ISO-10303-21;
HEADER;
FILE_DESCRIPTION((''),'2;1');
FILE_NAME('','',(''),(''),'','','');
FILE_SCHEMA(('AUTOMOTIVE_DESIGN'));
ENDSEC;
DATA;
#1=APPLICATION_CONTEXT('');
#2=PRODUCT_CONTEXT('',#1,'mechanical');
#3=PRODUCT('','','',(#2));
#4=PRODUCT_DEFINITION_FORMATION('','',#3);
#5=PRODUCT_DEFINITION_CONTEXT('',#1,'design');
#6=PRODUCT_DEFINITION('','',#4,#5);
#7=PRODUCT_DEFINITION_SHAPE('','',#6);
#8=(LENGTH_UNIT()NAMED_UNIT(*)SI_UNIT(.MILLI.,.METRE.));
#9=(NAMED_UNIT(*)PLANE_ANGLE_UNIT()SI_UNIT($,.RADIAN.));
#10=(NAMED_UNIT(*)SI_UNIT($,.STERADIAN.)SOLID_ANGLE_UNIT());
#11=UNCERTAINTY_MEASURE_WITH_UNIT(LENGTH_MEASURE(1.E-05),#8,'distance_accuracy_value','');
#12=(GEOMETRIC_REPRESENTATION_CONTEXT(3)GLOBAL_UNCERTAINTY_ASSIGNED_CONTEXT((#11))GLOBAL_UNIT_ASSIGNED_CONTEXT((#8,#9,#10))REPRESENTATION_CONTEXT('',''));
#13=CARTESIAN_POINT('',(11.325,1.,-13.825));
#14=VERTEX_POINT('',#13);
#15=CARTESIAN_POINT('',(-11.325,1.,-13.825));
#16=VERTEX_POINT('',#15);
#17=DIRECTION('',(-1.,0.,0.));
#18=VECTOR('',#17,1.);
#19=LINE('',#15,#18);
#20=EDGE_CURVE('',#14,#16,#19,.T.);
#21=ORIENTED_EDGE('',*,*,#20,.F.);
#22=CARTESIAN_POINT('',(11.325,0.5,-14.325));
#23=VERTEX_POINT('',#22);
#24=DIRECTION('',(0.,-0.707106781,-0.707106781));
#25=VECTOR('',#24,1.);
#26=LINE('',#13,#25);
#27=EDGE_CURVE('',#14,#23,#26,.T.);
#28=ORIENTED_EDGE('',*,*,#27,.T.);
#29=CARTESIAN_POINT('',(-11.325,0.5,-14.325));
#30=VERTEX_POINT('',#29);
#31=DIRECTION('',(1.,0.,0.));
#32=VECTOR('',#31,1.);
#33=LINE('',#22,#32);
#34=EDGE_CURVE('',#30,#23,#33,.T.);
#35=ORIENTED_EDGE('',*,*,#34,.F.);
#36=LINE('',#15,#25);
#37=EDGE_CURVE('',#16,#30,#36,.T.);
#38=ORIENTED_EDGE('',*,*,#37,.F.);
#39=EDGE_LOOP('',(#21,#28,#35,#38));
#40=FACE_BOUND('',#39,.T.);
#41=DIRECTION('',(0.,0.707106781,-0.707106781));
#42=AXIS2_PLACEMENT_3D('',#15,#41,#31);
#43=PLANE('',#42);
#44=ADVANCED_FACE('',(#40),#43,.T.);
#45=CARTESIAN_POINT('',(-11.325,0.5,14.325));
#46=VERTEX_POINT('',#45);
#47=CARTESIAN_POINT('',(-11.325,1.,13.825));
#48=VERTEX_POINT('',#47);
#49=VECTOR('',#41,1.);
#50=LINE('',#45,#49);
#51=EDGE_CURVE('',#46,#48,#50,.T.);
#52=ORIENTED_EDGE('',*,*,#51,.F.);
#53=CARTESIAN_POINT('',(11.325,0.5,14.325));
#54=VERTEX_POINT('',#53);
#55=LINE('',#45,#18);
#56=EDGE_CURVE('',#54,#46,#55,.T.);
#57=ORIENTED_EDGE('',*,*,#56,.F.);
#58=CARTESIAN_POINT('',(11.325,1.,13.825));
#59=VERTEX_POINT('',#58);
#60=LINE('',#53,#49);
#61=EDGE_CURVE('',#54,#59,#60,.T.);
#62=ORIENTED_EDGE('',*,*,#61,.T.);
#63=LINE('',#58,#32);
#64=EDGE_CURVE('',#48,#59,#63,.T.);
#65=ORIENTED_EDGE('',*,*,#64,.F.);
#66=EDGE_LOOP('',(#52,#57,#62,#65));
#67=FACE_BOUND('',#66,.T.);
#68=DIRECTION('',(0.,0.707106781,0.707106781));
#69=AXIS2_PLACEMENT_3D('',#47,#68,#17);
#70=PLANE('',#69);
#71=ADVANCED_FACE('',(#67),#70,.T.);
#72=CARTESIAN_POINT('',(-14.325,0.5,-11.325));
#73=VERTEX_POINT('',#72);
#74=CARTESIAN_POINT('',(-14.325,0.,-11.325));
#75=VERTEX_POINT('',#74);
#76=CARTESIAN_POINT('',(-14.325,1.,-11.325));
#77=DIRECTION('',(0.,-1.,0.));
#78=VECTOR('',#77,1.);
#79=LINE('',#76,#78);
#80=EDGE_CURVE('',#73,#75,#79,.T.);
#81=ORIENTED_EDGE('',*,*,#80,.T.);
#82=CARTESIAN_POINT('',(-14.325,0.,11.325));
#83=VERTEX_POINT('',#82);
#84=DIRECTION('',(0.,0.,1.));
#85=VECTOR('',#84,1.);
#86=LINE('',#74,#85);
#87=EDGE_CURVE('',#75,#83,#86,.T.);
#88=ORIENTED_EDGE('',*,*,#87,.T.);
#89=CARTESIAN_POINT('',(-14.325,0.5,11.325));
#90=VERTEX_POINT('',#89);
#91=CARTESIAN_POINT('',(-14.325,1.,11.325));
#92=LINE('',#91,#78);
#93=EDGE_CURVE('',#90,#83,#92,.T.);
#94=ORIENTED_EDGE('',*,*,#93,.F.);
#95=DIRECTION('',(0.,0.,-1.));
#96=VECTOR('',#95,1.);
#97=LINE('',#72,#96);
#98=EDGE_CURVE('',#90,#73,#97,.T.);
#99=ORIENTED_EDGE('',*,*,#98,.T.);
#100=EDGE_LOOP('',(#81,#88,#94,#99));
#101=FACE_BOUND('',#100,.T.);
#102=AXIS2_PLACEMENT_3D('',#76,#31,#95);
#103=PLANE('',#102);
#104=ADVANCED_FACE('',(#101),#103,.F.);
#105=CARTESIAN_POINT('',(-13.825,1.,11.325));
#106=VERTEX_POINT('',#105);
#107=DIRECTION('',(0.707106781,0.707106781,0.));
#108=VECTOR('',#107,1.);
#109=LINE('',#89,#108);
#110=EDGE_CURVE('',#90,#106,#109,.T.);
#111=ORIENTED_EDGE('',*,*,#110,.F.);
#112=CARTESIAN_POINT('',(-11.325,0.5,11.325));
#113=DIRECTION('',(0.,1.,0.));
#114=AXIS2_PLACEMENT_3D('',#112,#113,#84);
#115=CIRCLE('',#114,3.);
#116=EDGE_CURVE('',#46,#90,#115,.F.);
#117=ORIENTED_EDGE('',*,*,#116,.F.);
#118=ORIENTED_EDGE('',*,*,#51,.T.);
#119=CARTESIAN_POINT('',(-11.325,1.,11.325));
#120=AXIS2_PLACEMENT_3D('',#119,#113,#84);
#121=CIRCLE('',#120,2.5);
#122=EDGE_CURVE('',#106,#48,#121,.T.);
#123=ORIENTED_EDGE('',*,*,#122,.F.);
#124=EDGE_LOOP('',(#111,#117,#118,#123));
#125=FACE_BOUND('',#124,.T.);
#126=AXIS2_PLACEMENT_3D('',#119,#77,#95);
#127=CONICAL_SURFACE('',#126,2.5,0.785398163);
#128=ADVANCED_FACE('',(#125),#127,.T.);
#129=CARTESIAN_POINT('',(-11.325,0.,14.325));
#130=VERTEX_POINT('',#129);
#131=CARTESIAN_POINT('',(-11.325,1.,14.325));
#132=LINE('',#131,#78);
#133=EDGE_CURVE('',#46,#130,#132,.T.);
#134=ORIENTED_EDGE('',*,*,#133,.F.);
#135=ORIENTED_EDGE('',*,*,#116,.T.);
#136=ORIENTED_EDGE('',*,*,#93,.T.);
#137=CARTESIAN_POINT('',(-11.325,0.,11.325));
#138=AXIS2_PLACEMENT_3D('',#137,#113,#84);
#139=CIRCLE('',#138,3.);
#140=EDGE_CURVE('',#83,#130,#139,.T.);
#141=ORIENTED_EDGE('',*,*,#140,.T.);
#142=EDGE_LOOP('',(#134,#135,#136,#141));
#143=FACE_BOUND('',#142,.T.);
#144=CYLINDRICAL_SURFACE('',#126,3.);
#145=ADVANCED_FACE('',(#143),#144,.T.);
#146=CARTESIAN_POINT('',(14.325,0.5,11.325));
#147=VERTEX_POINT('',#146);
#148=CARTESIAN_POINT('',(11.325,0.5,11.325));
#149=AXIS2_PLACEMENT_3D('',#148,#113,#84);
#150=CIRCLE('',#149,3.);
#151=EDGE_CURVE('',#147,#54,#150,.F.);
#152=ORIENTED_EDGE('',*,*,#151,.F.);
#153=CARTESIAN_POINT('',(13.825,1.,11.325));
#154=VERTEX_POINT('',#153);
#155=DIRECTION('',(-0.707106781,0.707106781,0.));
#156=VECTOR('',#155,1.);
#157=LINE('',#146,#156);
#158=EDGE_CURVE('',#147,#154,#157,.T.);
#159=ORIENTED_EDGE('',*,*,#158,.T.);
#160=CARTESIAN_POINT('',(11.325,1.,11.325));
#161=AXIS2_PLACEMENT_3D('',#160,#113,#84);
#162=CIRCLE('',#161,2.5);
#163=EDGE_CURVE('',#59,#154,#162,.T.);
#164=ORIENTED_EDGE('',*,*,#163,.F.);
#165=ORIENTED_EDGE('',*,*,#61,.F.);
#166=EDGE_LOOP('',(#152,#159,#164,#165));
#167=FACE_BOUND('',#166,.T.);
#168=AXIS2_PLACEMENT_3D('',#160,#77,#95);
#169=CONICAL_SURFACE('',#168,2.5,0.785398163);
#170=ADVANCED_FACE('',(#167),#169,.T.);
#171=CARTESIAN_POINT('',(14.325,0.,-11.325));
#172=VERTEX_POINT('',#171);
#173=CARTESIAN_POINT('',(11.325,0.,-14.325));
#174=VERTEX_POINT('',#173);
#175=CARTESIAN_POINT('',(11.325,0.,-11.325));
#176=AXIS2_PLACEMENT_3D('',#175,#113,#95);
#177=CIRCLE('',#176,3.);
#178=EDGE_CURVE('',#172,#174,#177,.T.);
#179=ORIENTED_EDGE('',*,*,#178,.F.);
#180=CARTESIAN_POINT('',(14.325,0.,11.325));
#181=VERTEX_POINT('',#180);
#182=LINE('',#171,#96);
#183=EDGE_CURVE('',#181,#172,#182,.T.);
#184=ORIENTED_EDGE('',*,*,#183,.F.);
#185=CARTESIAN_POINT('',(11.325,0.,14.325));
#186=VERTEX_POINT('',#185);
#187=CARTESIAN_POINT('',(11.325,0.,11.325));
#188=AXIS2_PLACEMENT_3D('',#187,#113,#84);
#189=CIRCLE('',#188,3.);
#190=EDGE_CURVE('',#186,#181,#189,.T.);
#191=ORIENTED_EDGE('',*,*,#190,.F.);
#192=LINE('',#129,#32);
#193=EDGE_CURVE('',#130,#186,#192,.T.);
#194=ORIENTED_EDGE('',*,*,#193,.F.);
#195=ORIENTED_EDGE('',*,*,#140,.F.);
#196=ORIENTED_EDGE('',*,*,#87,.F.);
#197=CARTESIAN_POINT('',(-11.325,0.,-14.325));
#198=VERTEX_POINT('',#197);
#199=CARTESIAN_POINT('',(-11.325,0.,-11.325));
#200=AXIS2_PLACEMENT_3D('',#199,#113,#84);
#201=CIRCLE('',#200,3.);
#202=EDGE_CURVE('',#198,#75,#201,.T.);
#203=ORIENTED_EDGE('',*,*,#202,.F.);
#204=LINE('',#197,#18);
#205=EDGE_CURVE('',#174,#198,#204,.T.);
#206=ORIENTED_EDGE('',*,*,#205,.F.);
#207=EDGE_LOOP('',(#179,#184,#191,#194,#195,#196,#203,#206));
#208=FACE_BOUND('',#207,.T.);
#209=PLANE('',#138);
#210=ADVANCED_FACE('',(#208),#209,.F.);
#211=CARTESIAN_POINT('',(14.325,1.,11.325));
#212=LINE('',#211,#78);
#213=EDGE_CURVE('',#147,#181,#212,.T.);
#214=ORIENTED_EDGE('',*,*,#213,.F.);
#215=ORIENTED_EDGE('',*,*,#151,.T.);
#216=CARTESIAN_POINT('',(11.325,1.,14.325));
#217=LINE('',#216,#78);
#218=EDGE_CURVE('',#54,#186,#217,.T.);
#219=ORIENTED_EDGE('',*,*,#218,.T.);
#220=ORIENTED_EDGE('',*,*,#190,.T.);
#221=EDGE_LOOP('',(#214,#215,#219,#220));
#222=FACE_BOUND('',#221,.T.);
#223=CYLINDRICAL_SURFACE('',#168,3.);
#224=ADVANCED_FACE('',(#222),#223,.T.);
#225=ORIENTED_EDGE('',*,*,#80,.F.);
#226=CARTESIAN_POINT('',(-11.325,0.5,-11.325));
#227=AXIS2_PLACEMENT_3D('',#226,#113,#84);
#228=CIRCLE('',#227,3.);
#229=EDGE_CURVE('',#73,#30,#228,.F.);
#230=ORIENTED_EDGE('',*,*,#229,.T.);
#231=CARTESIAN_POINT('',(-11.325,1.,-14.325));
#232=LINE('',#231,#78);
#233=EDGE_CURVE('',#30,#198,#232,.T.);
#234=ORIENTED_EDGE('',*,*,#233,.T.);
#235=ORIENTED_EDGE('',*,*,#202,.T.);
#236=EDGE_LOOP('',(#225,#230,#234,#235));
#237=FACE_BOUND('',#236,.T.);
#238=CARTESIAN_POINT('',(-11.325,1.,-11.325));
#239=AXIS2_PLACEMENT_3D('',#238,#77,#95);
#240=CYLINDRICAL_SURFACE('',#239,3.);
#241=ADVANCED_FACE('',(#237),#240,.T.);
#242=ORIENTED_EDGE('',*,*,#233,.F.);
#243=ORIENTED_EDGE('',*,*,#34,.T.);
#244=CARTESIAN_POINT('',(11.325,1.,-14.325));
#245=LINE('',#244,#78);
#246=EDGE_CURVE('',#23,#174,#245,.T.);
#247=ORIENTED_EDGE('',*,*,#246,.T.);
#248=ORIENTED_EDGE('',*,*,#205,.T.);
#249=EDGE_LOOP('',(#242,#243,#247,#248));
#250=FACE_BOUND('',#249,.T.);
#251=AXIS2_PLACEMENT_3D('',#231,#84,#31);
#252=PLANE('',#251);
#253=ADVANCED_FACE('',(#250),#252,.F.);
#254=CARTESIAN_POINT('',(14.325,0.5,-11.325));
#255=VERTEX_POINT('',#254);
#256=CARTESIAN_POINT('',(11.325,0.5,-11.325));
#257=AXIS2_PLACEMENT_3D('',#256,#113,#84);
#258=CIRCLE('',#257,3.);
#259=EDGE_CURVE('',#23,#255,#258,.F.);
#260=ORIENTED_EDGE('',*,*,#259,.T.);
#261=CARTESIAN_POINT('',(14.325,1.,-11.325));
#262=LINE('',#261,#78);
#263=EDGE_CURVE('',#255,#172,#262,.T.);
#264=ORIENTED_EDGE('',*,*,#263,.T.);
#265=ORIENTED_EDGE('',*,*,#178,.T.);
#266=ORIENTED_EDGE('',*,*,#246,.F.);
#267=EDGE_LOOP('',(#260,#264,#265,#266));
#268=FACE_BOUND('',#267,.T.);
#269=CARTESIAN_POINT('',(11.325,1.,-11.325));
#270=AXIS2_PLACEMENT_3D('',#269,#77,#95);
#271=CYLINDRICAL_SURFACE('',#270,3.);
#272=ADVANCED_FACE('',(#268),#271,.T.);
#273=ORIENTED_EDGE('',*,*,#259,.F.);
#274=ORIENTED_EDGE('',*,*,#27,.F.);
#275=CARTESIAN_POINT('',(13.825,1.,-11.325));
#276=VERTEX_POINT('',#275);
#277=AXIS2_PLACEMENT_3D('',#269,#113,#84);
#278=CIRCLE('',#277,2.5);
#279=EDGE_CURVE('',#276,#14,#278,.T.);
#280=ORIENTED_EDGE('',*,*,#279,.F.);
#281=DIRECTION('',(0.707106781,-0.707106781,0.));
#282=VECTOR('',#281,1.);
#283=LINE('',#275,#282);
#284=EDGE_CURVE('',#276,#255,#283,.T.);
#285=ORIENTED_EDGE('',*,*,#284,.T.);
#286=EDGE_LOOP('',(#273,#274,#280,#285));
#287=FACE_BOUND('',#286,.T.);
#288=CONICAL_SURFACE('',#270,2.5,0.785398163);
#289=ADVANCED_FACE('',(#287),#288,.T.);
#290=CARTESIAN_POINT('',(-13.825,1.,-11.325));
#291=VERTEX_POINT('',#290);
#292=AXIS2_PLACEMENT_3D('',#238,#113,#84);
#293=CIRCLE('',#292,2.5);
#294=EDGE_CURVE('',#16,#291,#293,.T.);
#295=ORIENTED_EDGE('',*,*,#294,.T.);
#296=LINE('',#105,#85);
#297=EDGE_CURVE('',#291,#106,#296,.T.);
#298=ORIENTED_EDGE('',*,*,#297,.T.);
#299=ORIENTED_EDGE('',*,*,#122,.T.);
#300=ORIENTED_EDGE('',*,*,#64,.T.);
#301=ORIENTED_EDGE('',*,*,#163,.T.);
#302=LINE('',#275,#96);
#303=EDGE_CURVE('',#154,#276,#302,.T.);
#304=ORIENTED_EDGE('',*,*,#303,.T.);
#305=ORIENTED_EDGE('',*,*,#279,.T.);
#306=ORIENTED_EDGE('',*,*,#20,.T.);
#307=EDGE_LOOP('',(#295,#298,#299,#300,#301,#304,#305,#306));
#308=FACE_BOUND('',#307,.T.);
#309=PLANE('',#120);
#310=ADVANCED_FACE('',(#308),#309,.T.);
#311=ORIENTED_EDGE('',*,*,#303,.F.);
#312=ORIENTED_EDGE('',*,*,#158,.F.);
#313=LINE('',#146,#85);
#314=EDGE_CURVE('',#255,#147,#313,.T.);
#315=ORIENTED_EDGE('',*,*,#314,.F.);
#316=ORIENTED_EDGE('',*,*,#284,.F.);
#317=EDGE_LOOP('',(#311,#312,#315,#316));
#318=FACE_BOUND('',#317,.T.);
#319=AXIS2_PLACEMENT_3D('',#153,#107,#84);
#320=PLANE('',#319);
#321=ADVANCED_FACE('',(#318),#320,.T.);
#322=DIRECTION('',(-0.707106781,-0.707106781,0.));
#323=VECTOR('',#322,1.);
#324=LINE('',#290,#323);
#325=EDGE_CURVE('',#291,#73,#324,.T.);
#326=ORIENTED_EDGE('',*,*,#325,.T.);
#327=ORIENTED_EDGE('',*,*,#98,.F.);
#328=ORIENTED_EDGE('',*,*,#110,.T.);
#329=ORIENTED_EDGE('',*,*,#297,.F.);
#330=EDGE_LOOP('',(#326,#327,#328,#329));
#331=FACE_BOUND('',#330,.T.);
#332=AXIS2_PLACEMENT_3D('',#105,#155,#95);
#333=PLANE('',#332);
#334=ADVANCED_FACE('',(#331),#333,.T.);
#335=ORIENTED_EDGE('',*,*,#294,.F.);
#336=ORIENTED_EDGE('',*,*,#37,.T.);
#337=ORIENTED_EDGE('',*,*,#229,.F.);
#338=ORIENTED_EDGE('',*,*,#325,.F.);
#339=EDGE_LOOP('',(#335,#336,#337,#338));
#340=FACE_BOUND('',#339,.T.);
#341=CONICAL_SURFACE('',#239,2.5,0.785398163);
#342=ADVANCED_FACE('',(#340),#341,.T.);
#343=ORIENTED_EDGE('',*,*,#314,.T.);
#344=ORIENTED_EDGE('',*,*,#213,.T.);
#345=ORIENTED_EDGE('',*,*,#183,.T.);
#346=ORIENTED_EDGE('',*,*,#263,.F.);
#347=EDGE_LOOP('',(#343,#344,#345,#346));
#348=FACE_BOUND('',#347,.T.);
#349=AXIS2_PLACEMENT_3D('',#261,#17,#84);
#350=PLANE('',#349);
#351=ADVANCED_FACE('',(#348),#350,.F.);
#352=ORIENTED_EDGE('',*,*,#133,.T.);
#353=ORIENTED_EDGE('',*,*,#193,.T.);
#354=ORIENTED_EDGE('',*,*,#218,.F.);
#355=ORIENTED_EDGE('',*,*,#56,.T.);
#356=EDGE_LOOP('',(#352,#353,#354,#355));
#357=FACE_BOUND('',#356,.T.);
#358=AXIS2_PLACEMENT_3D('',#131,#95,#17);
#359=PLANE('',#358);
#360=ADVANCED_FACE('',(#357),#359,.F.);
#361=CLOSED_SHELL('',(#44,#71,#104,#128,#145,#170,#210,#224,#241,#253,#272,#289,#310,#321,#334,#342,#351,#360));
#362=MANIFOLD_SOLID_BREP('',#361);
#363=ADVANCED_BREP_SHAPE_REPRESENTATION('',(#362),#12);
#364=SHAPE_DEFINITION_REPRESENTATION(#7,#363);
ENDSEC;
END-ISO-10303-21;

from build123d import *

# Parameters (mm, degrees)
BOSS_EXTRUDE1_DEPTH = 1
CHAMFER1_SIZE       = 0.5


with BuildPart() as part:
    # Sketch1 → Boss-Extrude1 (new body)
    with BuildSketch(Plane(origin=(0, 0, 0), x_dir=(1, 0, 0), z_dir=(0, 1, 0))):
        with BuildLine():
            Line((-11.325, 14.325), (11.325, 14.325))
            ThreePointArc((11.325, 14.325), (13.446320344, 13.446320344), (14.325, 11.325))
            Line((14.325, 11.325), (14.325, -11.325))
            ThreePointArc((14.325, -11.325), (13.446320344, -13.446320344), (11.325, -14.325))
            Line((11.325, -14.325), (-11.325, -14.325))
            ThreePointArc((-11.325, -14.325), (-13.446320344, -13.446320344), (-14.325, -11.325))
            Line((-14.325, -11.325), (-14.325, 11.325))
            ThreePointArc((-14.325, 11.325), (-13.446320344, 13.446320344), (-11.325, 14.325))
        make_face()
    extrude(amount=BOSS_EXTRUDE1_DEPTH)

    # Chamfer1
    chamfer1_edges = [part.edges().sort_by_distance(p)[0] for p in [
        (13.446320344, 1, 13.446320344),
        (14.325, 1, 0),
        (13.446320344, 1, -13.446320344),
        (0, 1, -14.325),
        (-13.446320344, 1, -13.446320344),
        (-14.325, 1, 0),
        (-13.446320344, 1, 13.446320344),
        (0, 1, 14.325),
    ]]
    chamfer(chamfer1_edges, length=CHAMFER1_SIZE)


solid = part.part
